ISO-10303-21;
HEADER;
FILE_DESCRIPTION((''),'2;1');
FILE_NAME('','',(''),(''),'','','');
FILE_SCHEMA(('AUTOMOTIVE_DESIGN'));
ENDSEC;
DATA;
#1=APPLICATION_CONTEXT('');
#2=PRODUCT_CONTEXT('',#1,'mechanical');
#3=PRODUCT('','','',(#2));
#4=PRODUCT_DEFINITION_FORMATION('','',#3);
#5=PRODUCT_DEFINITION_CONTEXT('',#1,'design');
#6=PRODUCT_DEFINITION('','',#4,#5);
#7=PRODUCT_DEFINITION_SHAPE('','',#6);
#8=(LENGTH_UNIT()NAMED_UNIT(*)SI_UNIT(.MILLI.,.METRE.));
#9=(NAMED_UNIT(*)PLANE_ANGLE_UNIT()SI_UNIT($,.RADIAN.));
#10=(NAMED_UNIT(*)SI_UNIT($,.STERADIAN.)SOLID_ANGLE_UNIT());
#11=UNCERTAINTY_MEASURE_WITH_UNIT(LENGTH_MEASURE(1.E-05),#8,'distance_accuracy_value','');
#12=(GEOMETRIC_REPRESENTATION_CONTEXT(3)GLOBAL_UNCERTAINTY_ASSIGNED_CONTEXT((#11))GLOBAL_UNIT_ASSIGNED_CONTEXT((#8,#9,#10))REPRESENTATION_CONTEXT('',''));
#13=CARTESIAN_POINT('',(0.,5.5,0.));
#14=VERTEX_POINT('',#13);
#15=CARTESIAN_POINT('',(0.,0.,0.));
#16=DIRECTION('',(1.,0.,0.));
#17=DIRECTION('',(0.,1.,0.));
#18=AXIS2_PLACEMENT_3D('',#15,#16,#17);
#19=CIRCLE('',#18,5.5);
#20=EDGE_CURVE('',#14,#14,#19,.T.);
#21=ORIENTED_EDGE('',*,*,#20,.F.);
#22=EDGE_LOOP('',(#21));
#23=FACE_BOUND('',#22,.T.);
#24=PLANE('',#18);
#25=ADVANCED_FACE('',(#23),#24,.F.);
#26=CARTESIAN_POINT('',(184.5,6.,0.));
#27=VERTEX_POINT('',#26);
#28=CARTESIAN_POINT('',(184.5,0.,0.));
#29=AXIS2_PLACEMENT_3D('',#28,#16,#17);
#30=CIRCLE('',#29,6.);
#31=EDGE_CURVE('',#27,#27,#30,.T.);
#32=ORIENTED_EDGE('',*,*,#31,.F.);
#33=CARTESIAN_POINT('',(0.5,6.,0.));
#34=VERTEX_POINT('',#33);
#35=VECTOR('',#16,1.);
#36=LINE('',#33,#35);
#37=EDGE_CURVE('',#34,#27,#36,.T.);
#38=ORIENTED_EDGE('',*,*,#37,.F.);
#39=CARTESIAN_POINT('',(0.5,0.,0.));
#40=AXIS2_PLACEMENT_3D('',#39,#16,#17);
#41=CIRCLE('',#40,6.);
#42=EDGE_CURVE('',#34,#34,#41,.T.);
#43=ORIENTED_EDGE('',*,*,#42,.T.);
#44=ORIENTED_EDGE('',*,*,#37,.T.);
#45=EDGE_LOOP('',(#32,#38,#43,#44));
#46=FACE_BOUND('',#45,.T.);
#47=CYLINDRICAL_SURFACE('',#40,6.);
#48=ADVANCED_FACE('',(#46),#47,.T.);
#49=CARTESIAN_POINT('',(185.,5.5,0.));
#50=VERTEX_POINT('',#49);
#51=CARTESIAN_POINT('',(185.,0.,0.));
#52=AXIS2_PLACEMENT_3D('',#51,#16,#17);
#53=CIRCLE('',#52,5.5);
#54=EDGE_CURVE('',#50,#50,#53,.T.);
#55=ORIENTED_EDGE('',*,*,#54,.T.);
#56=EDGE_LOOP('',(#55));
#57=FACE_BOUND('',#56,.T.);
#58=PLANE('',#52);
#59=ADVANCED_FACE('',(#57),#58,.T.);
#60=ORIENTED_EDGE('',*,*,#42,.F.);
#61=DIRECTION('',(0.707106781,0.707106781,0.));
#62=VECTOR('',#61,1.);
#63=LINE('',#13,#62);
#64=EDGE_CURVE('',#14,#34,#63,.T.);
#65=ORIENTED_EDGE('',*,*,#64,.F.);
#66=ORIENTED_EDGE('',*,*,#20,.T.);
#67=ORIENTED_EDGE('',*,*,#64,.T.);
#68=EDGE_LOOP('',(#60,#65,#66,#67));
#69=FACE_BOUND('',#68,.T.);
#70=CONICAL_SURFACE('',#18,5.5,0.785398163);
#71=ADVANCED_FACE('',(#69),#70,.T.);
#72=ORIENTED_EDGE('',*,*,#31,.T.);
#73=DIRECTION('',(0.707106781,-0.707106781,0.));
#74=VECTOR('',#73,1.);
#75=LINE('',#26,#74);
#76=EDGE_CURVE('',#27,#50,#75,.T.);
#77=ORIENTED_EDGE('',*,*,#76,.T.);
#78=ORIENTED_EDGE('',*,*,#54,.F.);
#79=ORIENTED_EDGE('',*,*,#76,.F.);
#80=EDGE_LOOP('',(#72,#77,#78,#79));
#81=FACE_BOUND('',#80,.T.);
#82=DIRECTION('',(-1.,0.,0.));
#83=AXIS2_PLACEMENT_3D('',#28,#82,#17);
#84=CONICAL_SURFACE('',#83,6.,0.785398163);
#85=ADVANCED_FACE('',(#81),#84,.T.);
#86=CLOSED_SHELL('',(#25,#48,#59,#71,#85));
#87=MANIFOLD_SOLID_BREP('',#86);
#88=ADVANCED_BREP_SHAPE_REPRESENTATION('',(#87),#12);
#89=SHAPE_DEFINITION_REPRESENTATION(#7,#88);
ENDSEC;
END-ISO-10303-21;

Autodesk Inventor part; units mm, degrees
sketch "Sketch_1" plane through (0, 0, 0) normal (0, 0, 1) x (1, 0, 0)
  line L0 (185, 0) -> (0, 0)
  line L1 (0, 0) -> (0, 5.5)
  line L2 (0, 5.5) -> (0.5, 6)
  line L3 (0.5, 6) -> (184.5, 6)
  line L4 (184.5, 6) -> (185, 5.5)
  line L5 (185, 5.5) -> (185, 0)
  line L6 (185, 0) -> (0, 0)
revolve "Revolution1" add sketch "Sketch_1" angle 360 about axis through (185, 0, 0) along (1, 0, 0)
ref_plane "COMBINATION_MODULE_XY" through (0, 0, 0) normal (1, 0, 0) x (0, 0, -1)
ref_plane "COMBINATION_MODULE_YZ" through (0, 0, 0) normal (0, 0, -1) x (0, 1, 0)
ref_plane "COMBINATION_MODULE_ZX" through (0, 0, 0) normal (0, 1, 0) x (1, 0, 0)
properties part number "SSFHR12-185_s"
